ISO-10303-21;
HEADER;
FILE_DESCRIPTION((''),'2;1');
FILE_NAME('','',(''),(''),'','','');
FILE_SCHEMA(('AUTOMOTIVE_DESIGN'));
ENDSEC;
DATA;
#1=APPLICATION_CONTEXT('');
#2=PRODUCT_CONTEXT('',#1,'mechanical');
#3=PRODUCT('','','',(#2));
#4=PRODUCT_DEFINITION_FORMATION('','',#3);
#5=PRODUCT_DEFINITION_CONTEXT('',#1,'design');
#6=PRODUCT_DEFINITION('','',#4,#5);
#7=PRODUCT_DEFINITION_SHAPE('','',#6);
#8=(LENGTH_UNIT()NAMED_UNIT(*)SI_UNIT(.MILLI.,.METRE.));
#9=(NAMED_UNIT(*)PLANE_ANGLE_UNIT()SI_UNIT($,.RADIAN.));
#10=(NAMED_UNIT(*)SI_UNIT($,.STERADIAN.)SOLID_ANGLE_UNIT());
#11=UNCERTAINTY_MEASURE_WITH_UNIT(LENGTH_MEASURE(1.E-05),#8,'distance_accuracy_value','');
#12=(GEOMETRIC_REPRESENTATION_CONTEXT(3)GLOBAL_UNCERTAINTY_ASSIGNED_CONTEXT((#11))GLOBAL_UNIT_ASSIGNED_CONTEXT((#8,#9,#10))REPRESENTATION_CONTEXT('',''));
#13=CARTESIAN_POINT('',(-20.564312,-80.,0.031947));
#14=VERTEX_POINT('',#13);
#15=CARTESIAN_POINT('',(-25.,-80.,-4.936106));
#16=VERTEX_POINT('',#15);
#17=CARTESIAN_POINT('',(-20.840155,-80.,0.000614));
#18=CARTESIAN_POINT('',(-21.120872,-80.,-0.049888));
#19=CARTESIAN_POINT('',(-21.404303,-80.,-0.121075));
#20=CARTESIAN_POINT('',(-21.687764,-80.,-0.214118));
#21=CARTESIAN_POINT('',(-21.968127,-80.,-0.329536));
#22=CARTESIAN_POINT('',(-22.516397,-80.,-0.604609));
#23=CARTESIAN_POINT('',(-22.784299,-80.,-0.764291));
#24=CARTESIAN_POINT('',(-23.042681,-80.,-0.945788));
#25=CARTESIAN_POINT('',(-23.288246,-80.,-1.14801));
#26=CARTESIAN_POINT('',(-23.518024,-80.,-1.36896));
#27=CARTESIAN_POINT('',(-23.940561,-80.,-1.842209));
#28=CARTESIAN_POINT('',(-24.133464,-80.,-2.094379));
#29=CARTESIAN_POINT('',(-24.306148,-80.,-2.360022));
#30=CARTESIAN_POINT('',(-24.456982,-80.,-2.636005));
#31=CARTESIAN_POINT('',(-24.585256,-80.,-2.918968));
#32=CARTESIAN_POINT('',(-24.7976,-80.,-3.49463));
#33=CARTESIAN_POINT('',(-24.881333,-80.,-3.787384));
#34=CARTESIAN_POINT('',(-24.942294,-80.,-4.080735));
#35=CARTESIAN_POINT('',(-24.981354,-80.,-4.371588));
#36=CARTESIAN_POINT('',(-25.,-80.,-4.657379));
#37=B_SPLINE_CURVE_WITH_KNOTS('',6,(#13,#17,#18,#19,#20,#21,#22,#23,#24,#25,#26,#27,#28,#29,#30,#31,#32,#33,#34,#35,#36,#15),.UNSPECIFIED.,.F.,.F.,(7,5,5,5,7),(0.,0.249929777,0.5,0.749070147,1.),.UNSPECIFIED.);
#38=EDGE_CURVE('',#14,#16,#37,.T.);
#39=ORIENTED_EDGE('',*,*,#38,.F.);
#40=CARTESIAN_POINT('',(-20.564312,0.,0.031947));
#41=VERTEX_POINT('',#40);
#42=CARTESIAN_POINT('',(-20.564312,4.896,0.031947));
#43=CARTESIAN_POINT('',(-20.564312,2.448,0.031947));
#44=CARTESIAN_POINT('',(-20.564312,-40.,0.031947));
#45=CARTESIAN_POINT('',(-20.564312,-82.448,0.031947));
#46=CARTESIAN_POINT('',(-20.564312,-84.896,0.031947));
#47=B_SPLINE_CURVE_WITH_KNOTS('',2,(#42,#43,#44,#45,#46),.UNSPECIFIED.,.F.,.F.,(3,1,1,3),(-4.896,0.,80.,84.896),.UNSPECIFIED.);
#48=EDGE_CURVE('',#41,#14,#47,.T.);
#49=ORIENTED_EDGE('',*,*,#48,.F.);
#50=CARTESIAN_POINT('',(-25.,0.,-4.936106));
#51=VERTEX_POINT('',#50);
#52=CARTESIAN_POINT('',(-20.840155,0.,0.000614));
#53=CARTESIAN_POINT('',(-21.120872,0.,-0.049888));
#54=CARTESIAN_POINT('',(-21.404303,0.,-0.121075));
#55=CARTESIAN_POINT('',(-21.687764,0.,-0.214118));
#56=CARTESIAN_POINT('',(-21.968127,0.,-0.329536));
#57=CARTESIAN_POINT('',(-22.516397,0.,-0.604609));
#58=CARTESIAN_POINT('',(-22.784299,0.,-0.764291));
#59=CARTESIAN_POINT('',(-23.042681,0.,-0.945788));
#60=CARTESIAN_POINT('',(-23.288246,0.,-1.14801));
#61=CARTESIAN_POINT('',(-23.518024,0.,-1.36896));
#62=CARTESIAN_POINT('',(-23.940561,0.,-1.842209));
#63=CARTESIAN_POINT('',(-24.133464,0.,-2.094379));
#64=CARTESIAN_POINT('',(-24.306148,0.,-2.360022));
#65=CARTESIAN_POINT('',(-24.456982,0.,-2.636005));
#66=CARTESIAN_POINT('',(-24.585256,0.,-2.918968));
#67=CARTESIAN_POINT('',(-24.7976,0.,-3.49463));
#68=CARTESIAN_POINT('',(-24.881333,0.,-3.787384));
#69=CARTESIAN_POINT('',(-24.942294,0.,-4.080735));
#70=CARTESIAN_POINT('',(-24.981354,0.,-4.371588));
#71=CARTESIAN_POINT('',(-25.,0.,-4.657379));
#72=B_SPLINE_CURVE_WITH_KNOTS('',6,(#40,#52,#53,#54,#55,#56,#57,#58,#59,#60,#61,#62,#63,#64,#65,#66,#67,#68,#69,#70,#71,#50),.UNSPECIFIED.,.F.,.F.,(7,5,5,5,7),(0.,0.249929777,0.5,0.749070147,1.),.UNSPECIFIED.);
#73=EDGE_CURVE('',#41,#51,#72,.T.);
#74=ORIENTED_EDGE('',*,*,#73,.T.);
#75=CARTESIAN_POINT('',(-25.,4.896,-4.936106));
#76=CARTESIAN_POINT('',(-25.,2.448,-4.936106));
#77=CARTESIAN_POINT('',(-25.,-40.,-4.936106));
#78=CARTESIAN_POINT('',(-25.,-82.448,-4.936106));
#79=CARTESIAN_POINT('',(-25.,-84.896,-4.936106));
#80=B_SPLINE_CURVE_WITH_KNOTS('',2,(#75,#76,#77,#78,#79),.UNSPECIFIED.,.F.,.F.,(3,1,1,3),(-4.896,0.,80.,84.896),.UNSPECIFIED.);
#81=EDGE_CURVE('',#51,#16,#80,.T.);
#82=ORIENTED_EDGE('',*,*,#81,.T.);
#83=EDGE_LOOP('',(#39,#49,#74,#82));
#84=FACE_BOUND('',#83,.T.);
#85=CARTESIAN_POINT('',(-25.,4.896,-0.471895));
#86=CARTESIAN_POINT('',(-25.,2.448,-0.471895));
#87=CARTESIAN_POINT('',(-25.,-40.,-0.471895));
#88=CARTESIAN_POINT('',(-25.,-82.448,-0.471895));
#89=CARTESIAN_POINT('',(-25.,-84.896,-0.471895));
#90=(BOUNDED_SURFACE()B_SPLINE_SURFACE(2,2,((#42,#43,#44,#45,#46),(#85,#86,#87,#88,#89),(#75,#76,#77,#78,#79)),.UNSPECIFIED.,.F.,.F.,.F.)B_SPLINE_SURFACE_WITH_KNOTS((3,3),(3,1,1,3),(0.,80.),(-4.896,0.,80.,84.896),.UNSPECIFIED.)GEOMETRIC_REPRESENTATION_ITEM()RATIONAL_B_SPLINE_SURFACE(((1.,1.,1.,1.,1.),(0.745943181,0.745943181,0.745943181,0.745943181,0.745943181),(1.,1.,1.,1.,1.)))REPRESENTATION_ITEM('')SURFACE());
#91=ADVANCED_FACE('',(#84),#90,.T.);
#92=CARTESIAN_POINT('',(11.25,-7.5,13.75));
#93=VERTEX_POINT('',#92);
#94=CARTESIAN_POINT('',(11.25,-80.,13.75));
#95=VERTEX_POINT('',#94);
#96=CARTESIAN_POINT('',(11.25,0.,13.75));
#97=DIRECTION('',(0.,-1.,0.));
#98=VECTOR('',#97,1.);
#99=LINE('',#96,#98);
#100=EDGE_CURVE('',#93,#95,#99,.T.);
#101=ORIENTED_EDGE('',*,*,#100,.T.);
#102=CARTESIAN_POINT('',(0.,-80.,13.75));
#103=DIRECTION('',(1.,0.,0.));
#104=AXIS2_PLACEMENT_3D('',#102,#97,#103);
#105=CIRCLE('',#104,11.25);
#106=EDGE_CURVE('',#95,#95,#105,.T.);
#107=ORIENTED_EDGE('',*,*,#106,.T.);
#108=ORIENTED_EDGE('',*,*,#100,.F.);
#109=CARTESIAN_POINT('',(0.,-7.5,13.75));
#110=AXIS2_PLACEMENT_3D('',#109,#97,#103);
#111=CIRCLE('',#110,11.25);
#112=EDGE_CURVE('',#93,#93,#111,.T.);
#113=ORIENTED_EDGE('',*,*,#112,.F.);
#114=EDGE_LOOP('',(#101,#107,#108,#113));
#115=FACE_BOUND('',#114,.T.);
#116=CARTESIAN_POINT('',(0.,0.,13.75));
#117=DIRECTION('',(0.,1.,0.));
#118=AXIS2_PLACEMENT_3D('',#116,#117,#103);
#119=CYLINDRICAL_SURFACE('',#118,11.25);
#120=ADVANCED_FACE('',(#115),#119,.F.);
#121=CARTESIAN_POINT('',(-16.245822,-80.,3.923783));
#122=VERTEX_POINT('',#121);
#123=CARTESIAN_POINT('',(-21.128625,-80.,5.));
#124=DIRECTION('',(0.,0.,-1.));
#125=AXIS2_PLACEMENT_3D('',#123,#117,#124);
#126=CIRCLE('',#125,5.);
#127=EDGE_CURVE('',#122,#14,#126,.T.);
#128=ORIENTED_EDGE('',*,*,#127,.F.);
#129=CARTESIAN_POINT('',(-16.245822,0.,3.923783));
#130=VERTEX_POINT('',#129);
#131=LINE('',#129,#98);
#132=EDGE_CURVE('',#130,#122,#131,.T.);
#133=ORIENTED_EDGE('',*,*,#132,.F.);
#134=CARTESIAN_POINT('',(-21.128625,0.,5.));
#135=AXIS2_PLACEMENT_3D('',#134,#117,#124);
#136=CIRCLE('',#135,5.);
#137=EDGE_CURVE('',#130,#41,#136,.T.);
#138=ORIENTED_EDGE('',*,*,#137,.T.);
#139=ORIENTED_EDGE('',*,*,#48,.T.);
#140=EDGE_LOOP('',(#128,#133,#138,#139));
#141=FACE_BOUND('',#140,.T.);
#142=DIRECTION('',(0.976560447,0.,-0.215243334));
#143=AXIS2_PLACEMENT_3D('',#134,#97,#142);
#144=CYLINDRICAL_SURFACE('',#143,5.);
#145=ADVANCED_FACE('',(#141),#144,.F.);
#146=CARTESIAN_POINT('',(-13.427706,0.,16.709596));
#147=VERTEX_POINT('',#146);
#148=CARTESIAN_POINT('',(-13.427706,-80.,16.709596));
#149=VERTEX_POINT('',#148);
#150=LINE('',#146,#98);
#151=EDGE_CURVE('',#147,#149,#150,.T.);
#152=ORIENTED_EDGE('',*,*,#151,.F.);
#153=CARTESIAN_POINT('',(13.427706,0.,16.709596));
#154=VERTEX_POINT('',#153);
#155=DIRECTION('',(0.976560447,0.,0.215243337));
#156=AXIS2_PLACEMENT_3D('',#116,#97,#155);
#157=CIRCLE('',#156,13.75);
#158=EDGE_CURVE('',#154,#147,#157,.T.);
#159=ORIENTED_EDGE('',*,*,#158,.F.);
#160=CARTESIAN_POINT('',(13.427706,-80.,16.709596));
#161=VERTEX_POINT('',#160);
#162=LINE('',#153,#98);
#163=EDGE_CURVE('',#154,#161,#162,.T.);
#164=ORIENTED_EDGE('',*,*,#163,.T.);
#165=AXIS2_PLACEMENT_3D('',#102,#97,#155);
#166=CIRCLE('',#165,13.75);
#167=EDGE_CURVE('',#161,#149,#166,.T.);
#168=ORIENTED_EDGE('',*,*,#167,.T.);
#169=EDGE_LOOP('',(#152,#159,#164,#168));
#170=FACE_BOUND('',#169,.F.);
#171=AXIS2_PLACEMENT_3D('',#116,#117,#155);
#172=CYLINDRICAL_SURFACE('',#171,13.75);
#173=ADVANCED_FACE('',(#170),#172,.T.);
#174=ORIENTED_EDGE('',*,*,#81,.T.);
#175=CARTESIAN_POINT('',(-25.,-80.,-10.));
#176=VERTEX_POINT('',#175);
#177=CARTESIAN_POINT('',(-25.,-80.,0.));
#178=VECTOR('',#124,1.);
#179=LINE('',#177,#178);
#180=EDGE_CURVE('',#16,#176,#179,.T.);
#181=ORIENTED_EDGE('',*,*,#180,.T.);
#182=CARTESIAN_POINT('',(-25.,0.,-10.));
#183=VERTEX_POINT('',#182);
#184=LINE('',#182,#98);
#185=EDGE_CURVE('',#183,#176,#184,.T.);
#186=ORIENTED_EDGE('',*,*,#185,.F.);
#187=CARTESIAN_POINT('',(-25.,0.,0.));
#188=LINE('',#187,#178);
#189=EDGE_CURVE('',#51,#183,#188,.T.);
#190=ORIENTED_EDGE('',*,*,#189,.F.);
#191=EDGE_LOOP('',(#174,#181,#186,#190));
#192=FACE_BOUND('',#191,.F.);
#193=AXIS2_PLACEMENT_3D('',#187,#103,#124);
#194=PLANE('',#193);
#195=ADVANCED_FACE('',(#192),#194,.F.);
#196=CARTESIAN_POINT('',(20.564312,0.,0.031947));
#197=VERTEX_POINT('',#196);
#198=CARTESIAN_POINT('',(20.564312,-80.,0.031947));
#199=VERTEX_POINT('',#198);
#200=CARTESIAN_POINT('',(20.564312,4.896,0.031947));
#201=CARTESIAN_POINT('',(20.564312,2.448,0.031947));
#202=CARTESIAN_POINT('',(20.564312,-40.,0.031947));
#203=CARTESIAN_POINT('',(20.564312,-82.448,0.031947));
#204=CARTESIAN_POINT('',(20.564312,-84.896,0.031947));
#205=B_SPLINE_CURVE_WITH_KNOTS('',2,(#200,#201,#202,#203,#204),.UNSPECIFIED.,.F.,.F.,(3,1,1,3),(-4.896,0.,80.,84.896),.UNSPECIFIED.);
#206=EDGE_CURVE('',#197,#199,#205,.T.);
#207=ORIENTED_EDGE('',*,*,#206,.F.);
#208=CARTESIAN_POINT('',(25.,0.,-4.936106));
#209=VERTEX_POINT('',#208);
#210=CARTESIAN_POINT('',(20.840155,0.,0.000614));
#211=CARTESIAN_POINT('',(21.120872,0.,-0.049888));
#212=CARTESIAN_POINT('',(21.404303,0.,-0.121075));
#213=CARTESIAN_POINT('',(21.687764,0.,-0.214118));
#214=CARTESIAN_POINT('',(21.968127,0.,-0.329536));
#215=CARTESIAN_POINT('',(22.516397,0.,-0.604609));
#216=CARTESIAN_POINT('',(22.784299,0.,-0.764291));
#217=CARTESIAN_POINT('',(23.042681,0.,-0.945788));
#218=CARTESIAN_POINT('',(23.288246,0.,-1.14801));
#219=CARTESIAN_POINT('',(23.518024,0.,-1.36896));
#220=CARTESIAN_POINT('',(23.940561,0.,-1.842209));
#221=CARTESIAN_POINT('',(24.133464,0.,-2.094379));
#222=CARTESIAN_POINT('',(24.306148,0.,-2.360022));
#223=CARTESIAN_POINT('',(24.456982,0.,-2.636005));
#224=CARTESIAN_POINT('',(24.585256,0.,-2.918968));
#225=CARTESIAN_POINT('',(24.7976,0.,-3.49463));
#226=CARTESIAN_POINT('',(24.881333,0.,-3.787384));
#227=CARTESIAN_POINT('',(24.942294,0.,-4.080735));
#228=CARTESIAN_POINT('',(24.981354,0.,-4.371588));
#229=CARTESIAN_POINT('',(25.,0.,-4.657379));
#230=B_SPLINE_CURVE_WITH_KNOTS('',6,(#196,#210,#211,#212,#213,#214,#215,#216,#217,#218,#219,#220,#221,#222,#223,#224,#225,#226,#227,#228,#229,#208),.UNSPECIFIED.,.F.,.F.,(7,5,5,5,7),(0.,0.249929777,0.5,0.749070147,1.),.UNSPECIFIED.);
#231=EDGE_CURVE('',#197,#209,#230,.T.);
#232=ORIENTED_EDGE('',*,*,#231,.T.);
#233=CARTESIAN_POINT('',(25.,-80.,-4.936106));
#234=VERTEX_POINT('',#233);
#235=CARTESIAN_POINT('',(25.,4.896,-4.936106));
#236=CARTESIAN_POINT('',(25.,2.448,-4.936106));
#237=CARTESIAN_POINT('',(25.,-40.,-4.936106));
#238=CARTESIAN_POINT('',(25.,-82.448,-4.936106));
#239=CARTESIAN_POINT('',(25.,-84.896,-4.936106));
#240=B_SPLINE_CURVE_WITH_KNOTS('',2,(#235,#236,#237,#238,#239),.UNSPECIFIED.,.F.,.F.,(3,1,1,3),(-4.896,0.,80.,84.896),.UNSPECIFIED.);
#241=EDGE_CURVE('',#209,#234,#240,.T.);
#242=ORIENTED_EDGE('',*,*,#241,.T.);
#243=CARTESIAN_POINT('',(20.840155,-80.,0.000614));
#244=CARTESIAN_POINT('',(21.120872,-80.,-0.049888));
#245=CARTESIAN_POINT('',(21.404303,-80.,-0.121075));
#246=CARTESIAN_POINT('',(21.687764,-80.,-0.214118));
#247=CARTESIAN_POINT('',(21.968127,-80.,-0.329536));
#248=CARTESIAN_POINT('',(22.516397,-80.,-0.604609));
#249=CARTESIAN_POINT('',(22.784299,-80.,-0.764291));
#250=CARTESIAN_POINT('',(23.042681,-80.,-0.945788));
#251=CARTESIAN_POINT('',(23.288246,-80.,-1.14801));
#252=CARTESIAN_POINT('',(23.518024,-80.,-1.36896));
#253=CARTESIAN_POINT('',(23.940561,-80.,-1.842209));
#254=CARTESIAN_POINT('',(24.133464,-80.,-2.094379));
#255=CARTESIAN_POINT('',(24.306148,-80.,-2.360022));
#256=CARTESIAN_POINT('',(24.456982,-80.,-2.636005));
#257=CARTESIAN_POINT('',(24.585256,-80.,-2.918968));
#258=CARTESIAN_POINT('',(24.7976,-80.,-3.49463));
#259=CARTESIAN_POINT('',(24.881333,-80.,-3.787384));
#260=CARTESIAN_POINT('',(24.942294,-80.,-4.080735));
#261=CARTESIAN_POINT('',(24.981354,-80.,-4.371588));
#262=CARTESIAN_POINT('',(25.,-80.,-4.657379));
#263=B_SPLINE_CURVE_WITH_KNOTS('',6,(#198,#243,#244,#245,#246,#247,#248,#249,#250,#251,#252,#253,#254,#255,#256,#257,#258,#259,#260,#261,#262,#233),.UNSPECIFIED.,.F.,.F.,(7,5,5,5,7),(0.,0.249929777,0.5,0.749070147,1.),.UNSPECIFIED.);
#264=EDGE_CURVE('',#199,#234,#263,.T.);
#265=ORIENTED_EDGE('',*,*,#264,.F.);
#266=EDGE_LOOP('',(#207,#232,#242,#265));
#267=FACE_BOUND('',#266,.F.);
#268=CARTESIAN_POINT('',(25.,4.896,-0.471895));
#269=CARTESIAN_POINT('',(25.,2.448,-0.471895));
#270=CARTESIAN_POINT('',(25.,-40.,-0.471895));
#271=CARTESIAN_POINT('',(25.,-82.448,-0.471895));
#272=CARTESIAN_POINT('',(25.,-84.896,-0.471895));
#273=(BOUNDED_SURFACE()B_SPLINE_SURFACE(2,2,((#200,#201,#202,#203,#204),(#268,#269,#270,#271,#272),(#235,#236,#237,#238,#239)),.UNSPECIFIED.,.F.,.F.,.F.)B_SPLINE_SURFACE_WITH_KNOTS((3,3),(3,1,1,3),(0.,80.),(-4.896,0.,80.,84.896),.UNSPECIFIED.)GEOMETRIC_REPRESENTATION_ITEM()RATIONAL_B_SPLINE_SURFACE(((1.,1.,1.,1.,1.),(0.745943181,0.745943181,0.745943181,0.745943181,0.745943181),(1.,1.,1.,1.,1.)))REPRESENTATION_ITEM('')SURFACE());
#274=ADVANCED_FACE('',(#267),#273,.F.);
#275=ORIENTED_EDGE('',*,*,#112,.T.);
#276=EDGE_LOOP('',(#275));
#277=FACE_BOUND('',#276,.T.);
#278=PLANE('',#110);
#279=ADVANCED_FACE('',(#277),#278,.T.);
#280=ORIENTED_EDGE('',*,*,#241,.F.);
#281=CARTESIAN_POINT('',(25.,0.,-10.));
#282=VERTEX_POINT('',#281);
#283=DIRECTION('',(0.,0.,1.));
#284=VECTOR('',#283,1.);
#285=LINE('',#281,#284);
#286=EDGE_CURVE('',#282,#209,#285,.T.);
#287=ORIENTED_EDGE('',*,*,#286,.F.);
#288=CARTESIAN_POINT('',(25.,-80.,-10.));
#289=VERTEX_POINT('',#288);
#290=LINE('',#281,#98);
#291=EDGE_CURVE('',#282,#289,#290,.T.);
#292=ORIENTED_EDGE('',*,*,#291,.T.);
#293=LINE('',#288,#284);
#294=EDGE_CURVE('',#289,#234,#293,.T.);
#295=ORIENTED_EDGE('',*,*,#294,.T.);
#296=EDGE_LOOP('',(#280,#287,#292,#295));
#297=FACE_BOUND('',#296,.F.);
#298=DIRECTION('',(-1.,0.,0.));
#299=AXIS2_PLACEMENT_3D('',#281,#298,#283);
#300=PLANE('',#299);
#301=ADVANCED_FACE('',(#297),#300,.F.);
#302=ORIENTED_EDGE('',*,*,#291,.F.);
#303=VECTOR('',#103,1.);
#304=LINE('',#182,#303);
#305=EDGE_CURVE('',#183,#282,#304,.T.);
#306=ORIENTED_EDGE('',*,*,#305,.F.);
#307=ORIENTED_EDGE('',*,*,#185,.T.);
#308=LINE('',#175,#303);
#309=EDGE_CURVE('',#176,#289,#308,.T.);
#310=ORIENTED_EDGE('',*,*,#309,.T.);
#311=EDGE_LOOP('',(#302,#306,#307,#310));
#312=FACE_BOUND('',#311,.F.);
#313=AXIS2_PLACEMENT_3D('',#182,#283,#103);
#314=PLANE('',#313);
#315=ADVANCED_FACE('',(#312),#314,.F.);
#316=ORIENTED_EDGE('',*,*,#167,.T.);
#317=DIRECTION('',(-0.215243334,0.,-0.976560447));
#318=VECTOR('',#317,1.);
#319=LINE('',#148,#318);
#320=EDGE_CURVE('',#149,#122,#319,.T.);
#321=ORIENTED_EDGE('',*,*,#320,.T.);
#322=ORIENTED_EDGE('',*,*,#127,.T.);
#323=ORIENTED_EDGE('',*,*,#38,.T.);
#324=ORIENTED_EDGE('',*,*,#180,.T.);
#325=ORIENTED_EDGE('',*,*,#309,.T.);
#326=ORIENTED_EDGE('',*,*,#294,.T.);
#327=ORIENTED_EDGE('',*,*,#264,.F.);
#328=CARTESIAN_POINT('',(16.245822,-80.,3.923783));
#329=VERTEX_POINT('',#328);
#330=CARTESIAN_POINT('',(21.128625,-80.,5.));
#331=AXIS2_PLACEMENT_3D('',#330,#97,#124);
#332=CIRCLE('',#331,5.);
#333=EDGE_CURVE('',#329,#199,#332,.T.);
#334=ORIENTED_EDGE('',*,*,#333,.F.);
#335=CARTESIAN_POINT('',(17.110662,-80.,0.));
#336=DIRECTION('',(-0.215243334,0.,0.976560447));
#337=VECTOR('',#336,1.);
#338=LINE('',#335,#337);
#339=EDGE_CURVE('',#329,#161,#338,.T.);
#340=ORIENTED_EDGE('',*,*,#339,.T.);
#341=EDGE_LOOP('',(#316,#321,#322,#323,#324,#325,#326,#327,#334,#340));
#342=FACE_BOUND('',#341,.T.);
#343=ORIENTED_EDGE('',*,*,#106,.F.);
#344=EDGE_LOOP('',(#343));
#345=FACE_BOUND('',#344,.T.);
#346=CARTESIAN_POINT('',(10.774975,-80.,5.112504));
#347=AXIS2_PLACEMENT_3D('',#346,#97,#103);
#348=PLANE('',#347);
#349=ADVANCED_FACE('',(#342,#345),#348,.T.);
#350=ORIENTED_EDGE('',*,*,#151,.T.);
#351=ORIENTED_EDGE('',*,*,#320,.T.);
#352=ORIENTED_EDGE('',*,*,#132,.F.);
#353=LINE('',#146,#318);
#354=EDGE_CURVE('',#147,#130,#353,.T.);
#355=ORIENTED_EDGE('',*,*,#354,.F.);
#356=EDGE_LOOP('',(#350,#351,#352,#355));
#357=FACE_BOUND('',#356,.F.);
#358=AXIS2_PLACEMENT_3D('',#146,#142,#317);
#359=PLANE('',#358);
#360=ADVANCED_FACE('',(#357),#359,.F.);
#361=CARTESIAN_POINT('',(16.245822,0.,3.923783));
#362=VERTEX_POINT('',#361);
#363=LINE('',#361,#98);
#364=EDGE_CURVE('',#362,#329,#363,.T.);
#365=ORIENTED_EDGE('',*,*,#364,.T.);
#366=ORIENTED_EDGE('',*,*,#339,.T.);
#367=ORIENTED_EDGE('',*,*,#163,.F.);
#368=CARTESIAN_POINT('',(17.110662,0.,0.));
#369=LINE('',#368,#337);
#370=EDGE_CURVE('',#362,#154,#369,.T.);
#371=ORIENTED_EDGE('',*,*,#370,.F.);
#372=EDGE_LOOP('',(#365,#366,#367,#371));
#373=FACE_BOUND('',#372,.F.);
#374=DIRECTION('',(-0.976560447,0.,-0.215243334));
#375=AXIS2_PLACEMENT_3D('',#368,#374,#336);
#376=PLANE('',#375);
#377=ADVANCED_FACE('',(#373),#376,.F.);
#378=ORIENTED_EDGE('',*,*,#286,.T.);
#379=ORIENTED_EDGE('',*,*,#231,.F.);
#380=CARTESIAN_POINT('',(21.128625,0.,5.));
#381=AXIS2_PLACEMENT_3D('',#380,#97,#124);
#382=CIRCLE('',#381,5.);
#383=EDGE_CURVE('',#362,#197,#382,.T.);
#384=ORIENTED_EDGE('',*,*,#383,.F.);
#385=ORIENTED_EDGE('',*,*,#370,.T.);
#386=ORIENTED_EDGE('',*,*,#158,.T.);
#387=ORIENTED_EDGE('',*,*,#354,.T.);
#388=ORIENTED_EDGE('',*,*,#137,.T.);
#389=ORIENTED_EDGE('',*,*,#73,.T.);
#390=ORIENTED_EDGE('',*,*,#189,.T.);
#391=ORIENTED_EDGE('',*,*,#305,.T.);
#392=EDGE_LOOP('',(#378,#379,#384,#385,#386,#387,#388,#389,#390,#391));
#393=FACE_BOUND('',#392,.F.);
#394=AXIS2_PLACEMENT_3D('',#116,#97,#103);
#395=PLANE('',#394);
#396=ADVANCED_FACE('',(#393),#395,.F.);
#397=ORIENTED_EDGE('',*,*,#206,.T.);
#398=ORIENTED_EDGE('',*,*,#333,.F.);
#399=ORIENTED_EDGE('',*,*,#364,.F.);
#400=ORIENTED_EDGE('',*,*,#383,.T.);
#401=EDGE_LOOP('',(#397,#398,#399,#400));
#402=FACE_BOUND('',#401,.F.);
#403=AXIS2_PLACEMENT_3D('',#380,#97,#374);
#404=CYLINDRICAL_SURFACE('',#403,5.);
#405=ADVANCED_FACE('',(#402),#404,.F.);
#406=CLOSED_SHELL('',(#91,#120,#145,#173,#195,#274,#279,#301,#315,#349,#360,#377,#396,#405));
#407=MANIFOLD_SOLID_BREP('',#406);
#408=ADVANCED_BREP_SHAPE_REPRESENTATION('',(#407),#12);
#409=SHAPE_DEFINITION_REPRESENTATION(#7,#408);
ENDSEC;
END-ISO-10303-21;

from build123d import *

# Parameters (mm, degrees)
F0_R     = 11.25
F1_DEPTH = 80
F2_DEPTH = 7.5
F3_R     = 5
F4_R     = 5


with BuildPart() as f1:
    # F0 (on Front) → F1 (new body)
    with BuildSketch(Plane.XZ):
        with BuildLine():
            ThreePointArc((13.75, 13.75), (9.722718, 4.027282), (0, 0))
            Line((0, 0), (17.110662, 0))
            Line((17.110662, 0), (13.427706, 16.709596))
            ThreePointArc((13.427706, 16.709596), (13.669189, 15.238546), (13.75, 13.75))
        make_face()
        Polygon((17.110662, 0), (0, 0), (-17.110662, 0), (-25, 0), (-25, -10), (25, -10), (25, 0), align=None)
        with BuildLine():
            Line((-17.110662, 0), (0, 0))
            ThreePointArc((0, 0), (-10.718137, 5.136985), (-13.427706, 16.709596))
            Line((-13.427706, 16.709596), (-17.110662, 0))
        make_face()
        with BuildLine():
            ThreePointArc((-13.427706, 16.709596), (-10.718137, 5.136985), (0, 0))
            ThreePointArc((0, 0), (9.722718, 4.027282), (13.75, 13.75))
            ThreePointArc((13.75, 13.75), (13.669189, 15.238546), (13.427706, 16.709596))
            ThreePointArc((13.427706, 16.709596), (0, 27.5), (-13.427706, 16.709596))
        make_face()
        with Locations((0, 13.75)):
            Circle(F0_R, mode=Mode.SUBTRACT)
    extrude(amount=F1_DEPTH)

    # F0 (on Front) → F2 (join)
    with BuildSketch(Plane.XZ):
        with Locations((0, 13.75)):
            Circle(F0_R)
    extrude(amount=F2_DEPTH)

    # F3
    f3_edges = [f1.edges().sort_by_distance(p)[0] for p in [
        (-17.110662, -40, 0),
        (17.110662, -40, 0),
    ]]
    fillet(f3_edges, radius=F3_R)

    # F4
    f4_edges = [f1.edges().sort_by_distance(p)[0] for p in [
        (-25, -40, 0),
        (25, -40, 0),
    ]]
    fillet(f4_edges, radius=F4_R)


solid = f1.part
